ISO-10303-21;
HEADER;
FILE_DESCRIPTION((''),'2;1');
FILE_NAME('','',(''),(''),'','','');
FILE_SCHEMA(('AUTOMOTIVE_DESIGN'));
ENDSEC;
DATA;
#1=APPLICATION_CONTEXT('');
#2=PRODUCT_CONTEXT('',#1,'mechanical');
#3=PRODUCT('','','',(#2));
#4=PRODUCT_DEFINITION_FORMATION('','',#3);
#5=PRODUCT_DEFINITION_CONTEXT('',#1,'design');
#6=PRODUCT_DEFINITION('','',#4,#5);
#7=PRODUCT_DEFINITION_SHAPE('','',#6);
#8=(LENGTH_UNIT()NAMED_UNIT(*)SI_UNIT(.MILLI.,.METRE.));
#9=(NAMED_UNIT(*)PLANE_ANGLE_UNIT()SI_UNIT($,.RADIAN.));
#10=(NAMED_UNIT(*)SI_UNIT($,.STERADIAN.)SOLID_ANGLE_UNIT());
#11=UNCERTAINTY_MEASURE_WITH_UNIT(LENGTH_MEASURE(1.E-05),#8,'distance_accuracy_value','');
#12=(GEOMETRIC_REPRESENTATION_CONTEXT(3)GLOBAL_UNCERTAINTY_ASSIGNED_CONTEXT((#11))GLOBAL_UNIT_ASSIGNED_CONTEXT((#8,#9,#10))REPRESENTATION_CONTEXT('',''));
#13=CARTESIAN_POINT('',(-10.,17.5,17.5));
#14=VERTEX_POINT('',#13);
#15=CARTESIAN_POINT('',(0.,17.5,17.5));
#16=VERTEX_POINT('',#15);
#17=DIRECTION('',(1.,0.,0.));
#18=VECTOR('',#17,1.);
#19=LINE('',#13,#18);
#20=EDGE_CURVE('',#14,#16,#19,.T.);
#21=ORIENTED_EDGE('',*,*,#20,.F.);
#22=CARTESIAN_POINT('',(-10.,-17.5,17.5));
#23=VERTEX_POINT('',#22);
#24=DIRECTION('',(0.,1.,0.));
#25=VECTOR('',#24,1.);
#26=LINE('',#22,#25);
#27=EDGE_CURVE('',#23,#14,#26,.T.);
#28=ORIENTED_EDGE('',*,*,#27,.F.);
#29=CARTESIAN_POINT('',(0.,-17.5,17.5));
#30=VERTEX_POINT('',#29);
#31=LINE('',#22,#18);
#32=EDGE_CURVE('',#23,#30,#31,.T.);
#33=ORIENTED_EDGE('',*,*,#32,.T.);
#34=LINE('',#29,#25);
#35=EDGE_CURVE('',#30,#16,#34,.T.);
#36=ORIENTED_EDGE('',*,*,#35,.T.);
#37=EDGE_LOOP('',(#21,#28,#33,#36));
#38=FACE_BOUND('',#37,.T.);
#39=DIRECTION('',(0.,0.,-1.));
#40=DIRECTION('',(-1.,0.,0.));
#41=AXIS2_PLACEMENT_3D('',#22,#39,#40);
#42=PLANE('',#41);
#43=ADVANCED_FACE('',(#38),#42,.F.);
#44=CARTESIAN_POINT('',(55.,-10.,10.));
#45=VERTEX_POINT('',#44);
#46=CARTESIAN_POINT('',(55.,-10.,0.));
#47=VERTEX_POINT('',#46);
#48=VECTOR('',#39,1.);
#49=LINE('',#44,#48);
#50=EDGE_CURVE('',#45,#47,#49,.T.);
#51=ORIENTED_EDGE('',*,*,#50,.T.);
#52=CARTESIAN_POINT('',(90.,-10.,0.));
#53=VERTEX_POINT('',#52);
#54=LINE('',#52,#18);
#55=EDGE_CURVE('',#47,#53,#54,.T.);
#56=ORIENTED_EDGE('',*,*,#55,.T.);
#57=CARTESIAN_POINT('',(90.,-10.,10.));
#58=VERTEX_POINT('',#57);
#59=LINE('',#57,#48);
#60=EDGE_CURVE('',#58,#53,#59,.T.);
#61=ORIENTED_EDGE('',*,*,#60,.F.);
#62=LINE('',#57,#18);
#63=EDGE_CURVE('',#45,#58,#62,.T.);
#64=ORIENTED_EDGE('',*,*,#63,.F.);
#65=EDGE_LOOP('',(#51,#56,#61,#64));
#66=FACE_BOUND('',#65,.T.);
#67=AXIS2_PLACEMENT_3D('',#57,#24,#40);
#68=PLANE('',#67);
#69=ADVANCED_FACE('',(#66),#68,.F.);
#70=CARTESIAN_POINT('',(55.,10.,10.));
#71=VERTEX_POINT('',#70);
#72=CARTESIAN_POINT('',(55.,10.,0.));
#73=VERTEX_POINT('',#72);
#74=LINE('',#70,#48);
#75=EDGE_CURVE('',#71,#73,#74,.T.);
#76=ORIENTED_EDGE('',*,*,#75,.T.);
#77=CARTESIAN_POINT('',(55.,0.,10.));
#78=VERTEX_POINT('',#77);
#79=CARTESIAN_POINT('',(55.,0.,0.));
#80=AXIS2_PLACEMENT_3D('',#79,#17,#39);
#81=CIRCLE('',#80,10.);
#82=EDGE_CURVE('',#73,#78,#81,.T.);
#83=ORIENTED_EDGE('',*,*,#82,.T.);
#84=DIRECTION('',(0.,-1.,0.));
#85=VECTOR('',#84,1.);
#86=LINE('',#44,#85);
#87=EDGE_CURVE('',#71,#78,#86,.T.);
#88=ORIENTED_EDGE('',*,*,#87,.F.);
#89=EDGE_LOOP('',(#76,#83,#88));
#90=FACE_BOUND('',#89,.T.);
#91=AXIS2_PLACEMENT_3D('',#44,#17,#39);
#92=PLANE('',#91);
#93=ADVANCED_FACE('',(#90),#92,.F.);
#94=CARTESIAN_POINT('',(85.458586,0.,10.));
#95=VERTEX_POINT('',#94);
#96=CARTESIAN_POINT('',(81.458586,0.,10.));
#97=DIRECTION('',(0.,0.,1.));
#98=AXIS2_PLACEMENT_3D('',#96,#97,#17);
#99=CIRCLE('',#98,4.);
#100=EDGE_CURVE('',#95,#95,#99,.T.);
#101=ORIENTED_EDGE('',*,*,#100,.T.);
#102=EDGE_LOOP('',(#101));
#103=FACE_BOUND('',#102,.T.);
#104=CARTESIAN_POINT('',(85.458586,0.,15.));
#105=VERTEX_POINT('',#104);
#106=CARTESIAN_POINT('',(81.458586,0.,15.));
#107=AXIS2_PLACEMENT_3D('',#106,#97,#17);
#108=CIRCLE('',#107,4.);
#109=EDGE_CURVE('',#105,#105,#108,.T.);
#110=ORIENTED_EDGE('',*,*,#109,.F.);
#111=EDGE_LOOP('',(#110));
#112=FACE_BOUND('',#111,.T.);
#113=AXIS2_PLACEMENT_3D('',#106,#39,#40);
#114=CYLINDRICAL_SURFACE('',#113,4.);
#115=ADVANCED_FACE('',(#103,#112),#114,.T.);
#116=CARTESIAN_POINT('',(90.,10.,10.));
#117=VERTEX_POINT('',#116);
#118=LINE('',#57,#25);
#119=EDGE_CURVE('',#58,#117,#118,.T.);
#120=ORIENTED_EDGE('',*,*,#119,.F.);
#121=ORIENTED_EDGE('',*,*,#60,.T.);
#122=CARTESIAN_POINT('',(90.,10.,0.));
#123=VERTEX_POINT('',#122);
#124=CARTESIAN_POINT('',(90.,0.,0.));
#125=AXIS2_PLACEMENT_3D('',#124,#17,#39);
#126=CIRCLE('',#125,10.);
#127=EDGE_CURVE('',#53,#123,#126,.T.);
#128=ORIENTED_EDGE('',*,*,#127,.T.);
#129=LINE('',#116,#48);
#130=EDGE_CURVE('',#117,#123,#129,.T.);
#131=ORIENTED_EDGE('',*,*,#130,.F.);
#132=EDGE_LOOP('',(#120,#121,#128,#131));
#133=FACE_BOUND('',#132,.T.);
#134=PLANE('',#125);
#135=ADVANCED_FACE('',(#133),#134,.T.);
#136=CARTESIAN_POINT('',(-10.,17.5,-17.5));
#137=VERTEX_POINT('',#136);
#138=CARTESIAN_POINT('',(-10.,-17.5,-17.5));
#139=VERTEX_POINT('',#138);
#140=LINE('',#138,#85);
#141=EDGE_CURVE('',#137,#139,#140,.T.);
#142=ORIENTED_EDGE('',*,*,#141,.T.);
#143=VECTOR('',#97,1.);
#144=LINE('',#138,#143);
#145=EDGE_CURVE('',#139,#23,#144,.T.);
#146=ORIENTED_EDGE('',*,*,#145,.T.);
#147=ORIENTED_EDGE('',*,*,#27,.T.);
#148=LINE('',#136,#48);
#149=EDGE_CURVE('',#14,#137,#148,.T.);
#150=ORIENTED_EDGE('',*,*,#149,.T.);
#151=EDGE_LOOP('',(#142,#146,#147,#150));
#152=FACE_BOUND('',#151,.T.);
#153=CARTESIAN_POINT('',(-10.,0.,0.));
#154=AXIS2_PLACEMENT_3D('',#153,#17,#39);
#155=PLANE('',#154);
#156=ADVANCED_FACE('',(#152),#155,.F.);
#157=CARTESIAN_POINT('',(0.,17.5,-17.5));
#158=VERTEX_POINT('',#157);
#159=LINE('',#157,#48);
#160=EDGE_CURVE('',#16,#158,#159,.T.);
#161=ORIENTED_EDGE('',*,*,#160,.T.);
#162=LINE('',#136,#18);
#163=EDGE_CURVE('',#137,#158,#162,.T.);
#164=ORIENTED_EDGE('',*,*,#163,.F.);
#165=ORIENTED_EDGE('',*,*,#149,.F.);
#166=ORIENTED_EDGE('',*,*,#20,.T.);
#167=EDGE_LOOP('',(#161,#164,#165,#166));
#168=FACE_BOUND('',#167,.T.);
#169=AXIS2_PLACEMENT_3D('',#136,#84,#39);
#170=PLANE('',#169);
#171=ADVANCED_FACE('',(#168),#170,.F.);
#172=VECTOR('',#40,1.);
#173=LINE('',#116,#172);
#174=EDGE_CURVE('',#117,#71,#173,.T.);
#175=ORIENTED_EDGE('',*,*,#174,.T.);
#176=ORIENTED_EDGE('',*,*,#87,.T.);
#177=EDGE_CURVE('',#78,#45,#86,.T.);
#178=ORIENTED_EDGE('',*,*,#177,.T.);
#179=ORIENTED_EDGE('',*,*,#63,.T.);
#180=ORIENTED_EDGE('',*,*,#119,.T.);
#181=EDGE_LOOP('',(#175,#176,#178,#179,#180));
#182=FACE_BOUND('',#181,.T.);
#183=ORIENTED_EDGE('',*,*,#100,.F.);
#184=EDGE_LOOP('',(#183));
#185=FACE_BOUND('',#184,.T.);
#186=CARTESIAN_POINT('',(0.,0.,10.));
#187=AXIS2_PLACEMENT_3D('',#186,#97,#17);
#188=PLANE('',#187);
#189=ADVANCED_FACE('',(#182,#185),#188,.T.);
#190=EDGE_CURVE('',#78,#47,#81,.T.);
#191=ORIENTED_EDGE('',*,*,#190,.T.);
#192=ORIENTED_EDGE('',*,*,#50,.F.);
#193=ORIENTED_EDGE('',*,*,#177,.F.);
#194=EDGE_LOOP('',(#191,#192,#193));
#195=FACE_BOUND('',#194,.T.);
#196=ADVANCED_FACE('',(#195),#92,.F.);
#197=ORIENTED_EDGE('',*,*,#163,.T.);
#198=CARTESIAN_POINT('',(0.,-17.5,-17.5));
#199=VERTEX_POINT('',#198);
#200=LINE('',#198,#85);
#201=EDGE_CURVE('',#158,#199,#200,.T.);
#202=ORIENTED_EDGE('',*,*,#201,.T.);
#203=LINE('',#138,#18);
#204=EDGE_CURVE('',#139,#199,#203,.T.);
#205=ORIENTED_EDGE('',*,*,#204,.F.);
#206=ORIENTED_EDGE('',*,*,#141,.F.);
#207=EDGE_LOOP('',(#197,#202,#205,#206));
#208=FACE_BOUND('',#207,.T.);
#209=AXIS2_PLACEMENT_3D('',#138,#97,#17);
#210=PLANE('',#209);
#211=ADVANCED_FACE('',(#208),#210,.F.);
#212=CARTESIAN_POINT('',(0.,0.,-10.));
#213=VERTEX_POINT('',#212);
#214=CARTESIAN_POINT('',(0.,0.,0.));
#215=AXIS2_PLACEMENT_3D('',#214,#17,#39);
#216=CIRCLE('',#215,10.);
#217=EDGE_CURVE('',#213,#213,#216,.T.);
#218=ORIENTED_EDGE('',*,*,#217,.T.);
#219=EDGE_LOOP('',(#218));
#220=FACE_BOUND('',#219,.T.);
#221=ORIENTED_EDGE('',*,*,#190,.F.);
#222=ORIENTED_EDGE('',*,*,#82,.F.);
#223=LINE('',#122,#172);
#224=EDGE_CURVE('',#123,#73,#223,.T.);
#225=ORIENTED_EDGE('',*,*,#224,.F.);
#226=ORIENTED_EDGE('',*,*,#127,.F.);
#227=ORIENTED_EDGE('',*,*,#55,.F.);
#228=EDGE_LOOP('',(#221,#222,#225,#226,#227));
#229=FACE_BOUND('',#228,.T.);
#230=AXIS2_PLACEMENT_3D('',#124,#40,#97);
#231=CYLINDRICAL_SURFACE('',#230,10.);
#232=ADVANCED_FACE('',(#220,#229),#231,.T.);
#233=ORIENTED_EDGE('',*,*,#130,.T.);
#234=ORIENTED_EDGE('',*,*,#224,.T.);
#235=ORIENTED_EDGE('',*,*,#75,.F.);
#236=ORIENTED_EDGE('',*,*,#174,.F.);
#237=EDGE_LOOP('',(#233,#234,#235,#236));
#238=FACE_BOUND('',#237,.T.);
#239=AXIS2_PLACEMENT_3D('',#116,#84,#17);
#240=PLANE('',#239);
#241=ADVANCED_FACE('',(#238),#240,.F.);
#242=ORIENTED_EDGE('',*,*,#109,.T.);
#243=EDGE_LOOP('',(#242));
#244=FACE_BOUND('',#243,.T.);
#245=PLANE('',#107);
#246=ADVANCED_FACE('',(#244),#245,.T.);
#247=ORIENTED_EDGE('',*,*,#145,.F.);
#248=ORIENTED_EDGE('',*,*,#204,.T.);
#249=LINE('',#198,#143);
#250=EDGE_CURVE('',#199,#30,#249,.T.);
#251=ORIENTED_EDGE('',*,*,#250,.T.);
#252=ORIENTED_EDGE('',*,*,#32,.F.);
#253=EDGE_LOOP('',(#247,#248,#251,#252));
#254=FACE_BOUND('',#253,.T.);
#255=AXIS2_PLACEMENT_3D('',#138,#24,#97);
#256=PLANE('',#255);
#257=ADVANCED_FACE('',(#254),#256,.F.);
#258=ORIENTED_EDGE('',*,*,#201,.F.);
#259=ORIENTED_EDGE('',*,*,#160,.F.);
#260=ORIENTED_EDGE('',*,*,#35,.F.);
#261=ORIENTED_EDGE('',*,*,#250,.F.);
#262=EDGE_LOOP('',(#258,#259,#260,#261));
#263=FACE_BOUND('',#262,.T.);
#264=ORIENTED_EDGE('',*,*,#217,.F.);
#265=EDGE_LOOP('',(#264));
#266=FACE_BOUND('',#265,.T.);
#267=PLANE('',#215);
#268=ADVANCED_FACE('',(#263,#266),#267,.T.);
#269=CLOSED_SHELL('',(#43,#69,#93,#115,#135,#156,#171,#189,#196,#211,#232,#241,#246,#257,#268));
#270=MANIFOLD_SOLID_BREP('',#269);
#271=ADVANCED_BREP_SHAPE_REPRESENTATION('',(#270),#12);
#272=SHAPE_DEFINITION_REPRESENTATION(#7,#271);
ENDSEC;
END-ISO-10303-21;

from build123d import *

# Parameters (mm, degrees)
SKETCH_1_R      = 10
EXTRUDE_1_DEPTH = 90
SKETCH_2_W      = 35
SKETCH_2_H      = 20
EXTRUDE_2_DEPTH = 10
SKETCH_3_R      = 4
EXTRUDE_3_DEPTH = 5
SKETCH_5_W      = 35
SKETCH_5_H      = 35
EXTRUDE_4_DEPTH = 10


with BuildPart() as part:
    # 草图1 → 凸台-拉伸1 (new body)
    with BuildSketch(Plane(origin=(0, 0, 0), x_dir=(0, 0, -1), z_dir=(1, 0, 0))):
        with Locations(Location((0, 0, 0), (0, 0, 180))):
            Circle(SKETCH_1_R)
    extrude(amount=EXTRUDE_1_DEPTH)

    # 草图2 → 凸台-拉伸2 (add)
    with BuildSketch(Plane.XY):
        with Locations((72.5, 0)):
            Rectangle(SKETCH_2_W, SKETCH_2_H)
    extrude(amount=EXTRUDE_2_DEPTH)

    # 草图3 → 凸台-拉伸3 (add)
    with BuildSketch(Plane.XY.offset(10)):
        with Locations((81.45858647, 0)):
            Circle(SKETCH_3_R)
    extrude(amount=EXTRUDE_3_DEPTH)

    # 草图5 → 凸台-拉伸4 (add)
    with BuildSketch(Plane.ZY):
        Rectangle(SKETCH_5_W, SKETCH_5_H)
    extrude(amount=EXTRUDE_4_DEPTH)


solid = part.part
